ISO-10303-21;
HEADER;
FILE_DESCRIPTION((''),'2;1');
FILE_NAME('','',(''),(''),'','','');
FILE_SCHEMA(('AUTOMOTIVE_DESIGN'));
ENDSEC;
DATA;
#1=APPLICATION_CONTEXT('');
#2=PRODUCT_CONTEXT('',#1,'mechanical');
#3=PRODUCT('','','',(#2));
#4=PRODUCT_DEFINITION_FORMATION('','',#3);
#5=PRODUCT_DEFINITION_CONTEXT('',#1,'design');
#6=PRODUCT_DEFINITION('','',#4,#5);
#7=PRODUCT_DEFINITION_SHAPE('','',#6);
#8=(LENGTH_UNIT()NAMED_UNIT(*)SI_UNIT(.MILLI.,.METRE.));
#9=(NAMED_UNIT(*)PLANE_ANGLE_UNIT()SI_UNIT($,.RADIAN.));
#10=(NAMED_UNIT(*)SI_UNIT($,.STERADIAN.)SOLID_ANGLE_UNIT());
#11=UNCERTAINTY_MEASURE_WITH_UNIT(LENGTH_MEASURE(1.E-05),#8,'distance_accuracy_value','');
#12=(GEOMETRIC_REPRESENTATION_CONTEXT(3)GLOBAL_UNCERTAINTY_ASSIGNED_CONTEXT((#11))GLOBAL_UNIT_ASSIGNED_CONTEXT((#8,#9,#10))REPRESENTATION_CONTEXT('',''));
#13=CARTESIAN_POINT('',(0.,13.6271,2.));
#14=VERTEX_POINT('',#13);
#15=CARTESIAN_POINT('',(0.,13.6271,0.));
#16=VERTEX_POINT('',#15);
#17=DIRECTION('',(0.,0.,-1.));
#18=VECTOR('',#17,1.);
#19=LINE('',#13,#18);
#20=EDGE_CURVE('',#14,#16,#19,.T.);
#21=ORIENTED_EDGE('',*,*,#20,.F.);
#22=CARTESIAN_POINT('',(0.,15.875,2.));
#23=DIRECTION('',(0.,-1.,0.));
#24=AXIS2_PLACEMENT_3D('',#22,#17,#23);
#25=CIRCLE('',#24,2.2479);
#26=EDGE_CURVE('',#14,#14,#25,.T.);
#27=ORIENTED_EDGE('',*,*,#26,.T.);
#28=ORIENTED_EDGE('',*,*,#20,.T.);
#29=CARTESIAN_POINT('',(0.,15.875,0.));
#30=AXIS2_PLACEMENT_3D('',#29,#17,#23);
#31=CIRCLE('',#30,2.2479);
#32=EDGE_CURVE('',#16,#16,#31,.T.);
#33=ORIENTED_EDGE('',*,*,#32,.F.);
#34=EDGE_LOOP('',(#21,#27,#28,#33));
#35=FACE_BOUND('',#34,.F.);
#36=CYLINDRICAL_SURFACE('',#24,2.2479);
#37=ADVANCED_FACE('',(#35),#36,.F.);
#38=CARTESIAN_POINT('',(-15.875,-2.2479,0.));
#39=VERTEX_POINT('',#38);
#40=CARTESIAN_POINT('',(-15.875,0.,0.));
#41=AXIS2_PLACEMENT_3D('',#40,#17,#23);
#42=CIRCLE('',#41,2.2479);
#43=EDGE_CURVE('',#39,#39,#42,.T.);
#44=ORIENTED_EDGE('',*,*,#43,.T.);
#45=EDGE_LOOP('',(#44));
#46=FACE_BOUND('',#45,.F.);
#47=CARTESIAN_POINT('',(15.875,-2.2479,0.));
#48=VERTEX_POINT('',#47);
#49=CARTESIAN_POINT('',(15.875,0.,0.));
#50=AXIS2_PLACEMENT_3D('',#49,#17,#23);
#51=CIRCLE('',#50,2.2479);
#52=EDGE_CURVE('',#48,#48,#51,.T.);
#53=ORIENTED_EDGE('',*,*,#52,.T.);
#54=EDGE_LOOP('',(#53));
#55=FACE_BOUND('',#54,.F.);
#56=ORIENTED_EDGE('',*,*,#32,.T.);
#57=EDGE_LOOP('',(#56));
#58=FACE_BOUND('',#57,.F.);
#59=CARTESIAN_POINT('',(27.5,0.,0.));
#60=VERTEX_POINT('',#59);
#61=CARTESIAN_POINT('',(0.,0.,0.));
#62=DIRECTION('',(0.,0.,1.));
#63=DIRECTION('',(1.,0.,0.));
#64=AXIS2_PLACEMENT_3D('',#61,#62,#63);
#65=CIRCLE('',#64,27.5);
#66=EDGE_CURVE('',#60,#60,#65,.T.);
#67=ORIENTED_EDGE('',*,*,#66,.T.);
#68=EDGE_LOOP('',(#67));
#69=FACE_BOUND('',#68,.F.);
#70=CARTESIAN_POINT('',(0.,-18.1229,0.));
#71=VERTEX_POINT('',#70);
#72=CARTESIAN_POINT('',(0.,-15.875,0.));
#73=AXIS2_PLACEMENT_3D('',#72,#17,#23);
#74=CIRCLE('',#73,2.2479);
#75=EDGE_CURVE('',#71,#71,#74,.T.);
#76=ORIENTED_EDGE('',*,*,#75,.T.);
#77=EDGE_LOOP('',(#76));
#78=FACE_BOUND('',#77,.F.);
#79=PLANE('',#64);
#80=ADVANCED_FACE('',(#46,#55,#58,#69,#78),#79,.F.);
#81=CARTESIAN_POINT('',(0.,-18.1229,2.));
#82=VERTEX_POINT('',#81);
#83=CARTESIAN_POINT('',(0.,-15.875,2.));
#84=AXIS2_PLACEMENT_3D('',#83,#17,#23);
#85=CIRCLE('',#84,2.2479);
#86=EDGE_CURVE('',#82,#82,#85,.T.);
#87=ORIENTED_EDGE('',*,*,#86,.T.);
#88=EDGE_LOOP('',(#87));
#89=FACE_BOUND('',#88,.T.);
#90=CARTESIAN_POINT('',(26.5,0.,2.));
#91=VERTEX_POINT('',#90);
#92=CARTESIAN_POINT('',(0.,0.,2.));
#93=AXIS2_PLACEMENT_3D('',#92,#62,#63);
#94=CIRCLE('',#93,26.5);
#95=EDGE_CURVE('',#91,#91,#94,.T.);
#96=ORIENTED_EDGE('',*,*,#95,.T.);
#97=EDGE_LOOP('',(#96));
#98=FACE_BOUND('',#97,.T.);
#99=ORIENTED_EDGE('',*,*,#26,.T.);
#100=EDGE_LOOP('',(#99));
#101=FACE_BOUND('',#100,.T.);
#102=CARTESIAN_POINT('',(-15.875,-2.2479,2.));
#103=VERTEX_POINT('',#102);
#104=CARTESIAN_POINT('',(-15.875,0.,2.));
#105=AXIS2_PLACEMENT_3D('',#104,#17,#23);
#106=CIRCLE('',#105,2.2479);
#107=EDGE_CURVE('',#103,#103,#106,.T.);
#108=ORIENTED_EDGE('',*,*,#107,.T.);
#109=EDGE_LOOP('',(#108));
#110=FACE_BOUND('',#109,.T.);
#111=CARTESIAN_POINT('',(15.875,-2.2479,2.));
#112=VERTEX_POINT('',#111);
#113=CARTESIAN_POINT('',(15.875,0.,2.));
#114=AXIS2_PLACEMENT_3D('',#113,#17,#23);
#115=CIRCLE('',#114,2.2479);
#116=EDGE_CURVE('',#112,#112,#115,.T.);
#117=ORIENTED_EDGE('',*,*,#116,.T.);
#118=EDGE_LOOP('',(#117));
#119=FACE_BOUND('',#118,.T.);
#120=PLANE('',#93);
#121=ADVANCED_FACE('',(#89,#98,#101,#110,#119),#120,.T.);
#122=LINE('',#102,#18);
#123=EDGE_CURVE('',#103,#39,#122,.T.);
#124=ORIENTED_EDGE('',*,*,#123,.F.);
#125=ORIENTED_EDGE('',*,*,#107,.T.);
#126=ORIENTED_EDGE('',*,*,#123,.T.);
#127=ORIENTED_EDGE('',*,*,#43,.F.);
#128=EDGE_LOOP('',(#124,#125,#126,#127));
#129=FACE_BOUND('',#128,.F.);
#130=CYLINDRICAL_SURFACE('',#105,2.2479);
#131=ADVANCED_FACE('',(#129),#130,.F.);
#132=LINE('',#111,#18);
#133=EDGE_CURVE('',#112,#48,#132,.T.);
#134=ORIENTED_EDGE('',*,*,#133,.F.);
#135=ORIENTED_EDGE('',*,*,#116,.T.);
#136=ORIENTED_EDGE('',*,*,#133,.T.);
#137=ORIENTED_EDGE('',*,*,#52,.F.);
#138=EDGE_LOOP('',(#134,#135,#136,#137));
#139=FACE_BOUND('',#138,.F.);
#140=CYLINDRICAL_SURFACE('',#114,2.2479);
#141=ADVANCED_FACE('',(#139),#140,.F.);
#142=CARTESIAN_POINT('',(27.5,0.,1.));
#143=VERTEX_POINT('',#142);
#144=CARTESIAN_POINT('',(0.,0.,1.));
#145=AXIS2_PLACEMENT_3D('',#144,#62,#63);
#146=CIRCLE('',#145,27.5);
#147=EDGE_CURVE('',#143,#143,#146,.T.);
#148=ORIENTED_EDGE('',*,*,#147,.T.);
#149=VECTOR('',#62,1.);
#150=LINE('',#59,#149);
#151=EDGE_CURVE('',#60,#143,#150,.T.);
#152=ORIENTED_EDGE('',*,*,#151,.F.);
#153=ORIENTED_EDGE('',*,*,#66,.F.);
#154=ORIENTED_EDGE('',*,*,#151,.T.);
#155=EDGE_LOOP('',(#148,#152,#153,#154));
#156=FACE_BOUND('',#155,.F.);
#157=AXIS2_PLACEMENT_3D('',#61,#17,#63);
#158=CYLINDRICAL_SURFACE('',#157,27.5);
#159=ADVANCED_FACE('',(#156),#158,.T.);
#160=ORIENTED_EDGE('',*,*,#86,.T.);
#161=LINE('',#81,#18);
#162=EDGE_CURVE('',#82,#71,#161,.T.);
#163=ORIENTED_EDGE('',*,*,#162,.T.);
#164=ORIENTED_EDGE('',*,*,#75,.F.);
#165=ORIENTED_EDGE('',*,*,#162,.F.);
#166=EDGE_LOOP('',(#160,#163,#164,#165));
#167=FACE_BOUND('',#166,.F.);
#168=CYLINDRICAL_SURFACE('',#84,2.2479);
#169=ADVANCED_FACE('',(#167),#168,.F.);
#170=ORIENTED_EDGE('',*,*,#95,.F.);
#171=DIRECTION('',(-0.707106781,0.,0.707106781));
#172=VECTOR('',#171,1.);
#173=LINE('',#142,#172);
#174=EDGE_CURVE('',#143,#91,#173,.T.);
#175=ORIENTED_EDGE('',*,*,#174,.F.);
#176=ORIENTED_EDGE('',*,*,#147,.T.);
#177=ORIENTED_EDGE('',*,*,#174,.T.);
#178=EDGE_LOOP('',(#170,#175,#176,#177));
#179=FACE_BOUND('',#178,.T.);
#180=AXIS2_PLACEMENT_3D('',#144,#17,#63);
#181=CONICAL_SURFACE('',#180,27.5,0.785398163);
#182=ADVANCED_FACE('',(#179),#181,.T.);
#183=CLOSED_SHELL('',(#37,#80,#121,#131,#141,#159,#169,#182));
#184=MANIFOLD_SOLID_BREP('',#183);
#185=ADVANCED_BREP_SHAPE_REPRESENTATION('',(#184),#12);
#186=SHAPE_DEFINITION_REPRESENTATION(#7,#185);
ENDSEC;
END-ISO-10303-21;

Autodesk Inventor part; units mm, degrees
ref_plane "YZ Plane" through (0, 0, 0) normal (1, 0, 0) x (0, 1, 0)
ref_plane "XZ Plane" through (0, 0, 0) normal (0, 1, 0) x (-1, 0, 0)
ref_plane "XY Plane" through (0, 0, 0) normal (0, 0, 1) x (1, 0, 0)
sketch "Sketch1" plane through (0, 0, 0) normal (0, 0, 1) x (1, 0, 0)
  circle A0 centre (0, 0) radius 27.5
  dimension "d0" = 55
extrude "Extrusion1" add sketch "Sketch1" along normal blind 2
chamfer "Chamfer1" distance 1 angle 45 1 edges at (-27.5, 0, 2)
sketch "Sketch2" plane through (0, 0, 2) normal (0, 0, 1) x (1, 0, 0)
  circle A0 centre (0, 0) radius 15.875 construction
  point P0 (0, 15.875)
  point P1 (-15.875, 0)
  point P2 (0, -15.875)
  point P3 (15.875, 0)
  dimension "d6" = 31.75
  dimension "d9" = 360
hole "Hole1" at (0, 15.875, 2) at (-15.875, 0, 2) at (0, -15.875, 2) at (15.875, 0, 2) direction (0, 0, -1) diameter 4.4958 end through all clearance for "Flat Head Machine Screw (82)" size "#8" standard "Ansi Unified Screw Threads"
properties part number "53t_gt2_flange" material "Aluminum 6061"
